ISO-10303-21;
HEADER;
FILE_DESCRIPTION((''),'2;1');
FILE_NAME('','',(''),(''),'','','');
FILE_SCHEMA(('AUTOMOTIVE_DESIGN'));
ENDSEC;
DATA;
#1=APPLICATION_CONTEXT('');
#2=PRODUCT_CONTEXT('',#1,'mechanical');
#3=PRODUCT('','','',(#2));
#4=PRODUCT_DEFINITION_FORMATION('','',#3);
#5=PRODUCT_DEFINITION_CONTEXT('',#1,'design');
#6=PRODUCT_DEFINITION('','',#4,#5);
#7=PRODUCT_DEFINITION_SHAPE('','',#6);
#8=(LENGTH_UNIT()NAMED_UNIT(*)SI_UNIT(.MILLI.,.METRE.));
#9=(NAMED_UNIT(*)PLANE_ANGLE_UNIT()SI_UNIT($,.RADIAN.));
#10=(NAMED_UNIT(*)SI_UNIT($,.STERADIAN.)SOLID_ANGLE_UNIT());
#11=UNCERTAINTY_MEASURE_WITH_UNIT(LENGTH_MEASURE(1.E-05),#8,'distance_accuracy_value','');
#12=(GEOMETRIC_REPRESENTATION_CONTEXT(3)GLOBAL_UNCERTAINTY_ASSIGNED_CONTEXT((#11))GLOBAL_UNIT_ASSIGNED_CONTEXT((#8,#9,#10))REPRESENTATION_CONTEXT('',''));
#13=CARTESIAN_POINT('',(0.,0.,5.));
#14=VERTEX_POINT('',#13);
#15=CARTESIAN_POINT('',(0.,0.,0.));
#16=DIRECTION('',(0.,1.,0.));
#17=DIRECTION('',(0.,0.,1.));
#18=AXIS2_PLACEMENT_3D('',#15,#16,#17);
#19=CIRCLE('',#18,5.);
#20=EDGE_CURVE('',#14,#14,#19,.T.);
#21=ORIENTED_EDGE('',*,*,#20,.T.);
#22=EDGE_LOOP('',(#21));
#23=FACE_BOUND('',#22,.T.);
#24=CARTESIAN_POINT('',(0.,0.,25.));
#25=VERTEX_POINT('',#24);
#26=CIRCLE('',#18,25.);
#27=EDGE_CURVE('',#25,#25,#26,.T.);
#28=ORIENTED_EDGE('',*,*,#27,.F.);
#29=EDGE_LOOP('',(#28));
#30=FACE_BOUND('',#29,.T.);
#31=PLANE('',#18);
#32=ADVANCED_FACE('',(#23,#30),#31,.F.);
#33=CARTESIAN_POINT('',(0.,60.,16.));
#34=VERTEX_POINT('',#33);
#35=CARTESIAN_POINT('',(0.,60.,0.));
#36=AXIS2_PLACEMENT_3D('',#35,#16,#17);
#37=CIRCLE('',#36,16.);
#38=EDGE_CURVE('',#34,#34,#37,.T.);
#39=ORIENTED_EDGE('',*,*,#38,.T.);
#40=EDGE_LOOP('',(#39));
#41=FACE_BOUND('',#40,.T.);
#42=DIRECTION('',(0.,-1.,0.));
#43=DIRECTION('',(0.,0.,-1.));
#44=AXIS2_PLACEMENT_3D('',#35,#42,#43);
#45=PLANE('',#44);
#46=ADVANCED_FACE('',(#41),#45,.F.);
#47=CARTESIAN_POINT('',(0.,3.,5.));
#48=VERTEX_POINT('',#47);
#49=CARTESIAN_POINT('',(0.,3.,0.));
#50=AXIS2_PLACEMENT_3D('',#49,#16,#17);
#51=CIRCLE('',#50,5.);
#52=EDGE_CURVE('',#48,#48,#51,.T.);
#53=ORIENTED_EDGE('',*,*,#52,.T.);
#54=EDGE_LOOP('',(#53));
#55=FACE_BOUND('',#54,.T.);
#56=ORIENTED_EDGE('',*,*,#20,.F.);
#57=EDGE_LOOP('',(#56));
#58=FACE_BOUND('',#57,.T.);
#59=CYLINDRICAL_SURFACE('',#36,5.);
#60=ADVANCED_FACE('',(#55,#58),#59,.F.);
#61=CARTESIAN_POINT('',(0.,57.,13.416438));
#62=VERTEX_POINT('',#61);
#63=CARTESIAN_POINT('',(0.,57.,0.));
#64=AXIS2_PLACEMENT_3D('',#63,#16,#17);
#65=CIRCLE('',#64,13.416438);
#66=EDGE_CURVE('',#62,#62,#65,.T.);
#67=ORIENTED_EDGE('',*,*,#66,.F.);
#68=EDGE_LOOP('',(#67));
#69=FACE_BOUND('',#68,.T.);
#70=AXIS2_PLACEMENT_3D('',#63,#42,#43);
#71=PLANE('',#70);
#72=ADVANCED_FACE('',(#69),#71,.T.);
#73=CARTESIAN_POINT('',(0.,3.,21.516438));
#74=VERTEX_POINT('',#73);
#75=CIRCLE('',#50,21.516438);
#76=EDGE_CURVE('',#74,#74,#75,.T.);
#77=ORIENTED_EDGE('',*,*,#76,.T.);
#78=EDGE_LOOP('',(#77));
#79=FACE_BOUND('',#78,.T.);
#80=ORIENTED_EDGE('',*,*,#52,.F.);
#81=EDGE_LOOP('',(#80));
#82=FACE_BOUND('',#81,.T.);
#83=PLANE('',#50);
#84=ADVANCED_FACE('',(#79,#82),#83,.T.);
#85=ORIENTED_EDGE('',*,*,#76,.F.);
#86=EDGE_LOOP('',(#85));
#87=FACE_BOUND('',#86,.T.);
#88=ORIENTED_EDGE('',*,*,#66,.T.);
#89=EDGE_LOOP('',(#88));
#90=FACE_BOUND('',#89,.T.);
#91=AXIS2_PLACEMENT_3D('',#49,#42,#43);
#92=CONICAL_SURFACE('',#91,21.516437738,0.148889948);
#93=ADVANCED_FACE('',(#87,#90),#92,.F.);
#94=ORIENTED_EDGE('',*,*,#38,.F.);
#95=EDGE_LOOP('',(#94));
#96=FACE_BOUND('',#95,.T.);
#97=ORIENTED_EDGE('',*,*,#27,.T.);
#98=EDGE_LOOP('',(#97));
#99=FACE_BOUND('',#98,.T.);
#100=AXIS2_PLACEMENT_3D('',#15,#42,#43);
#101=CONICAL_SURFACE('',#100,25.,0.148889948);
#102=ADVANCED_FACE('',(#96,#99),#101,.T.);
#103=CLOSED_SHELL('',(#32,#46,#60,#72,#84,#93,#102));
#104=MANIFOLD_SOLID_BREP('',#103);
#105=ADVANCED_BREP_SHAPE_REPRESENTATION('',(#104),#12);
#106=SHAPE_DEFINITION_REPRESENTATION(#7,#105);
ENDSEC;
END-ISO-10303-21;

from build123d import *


with BuildPart() as part:
    # 草图2 → 旋转2 (revolve)
    with BuildSketch(Plane(origin=(0, 0, 0), x_dir=(0, 0, -1), z_dir=(1, 0, 0)), mode=Mode.PRIVATE) as revolve_2_sk:
        Polygon((0, 60), (0, 57), (3, 57), (13.416437738, 57), (21.516437738, 3), (21.966437738, 0), (25, 0), (16, 60), align=None)
        Polygon((5, 3), (5, 0), (21.966437738, 0), (21.516437738, 3), align=None)
    revolve(revolve_2_sk.sketch.rotate(Axis((0, 60, 0), (0, -1, 0)), 180), axis=Axis((0, 60, 0), (0, -1, 0)))


solid = part.part
